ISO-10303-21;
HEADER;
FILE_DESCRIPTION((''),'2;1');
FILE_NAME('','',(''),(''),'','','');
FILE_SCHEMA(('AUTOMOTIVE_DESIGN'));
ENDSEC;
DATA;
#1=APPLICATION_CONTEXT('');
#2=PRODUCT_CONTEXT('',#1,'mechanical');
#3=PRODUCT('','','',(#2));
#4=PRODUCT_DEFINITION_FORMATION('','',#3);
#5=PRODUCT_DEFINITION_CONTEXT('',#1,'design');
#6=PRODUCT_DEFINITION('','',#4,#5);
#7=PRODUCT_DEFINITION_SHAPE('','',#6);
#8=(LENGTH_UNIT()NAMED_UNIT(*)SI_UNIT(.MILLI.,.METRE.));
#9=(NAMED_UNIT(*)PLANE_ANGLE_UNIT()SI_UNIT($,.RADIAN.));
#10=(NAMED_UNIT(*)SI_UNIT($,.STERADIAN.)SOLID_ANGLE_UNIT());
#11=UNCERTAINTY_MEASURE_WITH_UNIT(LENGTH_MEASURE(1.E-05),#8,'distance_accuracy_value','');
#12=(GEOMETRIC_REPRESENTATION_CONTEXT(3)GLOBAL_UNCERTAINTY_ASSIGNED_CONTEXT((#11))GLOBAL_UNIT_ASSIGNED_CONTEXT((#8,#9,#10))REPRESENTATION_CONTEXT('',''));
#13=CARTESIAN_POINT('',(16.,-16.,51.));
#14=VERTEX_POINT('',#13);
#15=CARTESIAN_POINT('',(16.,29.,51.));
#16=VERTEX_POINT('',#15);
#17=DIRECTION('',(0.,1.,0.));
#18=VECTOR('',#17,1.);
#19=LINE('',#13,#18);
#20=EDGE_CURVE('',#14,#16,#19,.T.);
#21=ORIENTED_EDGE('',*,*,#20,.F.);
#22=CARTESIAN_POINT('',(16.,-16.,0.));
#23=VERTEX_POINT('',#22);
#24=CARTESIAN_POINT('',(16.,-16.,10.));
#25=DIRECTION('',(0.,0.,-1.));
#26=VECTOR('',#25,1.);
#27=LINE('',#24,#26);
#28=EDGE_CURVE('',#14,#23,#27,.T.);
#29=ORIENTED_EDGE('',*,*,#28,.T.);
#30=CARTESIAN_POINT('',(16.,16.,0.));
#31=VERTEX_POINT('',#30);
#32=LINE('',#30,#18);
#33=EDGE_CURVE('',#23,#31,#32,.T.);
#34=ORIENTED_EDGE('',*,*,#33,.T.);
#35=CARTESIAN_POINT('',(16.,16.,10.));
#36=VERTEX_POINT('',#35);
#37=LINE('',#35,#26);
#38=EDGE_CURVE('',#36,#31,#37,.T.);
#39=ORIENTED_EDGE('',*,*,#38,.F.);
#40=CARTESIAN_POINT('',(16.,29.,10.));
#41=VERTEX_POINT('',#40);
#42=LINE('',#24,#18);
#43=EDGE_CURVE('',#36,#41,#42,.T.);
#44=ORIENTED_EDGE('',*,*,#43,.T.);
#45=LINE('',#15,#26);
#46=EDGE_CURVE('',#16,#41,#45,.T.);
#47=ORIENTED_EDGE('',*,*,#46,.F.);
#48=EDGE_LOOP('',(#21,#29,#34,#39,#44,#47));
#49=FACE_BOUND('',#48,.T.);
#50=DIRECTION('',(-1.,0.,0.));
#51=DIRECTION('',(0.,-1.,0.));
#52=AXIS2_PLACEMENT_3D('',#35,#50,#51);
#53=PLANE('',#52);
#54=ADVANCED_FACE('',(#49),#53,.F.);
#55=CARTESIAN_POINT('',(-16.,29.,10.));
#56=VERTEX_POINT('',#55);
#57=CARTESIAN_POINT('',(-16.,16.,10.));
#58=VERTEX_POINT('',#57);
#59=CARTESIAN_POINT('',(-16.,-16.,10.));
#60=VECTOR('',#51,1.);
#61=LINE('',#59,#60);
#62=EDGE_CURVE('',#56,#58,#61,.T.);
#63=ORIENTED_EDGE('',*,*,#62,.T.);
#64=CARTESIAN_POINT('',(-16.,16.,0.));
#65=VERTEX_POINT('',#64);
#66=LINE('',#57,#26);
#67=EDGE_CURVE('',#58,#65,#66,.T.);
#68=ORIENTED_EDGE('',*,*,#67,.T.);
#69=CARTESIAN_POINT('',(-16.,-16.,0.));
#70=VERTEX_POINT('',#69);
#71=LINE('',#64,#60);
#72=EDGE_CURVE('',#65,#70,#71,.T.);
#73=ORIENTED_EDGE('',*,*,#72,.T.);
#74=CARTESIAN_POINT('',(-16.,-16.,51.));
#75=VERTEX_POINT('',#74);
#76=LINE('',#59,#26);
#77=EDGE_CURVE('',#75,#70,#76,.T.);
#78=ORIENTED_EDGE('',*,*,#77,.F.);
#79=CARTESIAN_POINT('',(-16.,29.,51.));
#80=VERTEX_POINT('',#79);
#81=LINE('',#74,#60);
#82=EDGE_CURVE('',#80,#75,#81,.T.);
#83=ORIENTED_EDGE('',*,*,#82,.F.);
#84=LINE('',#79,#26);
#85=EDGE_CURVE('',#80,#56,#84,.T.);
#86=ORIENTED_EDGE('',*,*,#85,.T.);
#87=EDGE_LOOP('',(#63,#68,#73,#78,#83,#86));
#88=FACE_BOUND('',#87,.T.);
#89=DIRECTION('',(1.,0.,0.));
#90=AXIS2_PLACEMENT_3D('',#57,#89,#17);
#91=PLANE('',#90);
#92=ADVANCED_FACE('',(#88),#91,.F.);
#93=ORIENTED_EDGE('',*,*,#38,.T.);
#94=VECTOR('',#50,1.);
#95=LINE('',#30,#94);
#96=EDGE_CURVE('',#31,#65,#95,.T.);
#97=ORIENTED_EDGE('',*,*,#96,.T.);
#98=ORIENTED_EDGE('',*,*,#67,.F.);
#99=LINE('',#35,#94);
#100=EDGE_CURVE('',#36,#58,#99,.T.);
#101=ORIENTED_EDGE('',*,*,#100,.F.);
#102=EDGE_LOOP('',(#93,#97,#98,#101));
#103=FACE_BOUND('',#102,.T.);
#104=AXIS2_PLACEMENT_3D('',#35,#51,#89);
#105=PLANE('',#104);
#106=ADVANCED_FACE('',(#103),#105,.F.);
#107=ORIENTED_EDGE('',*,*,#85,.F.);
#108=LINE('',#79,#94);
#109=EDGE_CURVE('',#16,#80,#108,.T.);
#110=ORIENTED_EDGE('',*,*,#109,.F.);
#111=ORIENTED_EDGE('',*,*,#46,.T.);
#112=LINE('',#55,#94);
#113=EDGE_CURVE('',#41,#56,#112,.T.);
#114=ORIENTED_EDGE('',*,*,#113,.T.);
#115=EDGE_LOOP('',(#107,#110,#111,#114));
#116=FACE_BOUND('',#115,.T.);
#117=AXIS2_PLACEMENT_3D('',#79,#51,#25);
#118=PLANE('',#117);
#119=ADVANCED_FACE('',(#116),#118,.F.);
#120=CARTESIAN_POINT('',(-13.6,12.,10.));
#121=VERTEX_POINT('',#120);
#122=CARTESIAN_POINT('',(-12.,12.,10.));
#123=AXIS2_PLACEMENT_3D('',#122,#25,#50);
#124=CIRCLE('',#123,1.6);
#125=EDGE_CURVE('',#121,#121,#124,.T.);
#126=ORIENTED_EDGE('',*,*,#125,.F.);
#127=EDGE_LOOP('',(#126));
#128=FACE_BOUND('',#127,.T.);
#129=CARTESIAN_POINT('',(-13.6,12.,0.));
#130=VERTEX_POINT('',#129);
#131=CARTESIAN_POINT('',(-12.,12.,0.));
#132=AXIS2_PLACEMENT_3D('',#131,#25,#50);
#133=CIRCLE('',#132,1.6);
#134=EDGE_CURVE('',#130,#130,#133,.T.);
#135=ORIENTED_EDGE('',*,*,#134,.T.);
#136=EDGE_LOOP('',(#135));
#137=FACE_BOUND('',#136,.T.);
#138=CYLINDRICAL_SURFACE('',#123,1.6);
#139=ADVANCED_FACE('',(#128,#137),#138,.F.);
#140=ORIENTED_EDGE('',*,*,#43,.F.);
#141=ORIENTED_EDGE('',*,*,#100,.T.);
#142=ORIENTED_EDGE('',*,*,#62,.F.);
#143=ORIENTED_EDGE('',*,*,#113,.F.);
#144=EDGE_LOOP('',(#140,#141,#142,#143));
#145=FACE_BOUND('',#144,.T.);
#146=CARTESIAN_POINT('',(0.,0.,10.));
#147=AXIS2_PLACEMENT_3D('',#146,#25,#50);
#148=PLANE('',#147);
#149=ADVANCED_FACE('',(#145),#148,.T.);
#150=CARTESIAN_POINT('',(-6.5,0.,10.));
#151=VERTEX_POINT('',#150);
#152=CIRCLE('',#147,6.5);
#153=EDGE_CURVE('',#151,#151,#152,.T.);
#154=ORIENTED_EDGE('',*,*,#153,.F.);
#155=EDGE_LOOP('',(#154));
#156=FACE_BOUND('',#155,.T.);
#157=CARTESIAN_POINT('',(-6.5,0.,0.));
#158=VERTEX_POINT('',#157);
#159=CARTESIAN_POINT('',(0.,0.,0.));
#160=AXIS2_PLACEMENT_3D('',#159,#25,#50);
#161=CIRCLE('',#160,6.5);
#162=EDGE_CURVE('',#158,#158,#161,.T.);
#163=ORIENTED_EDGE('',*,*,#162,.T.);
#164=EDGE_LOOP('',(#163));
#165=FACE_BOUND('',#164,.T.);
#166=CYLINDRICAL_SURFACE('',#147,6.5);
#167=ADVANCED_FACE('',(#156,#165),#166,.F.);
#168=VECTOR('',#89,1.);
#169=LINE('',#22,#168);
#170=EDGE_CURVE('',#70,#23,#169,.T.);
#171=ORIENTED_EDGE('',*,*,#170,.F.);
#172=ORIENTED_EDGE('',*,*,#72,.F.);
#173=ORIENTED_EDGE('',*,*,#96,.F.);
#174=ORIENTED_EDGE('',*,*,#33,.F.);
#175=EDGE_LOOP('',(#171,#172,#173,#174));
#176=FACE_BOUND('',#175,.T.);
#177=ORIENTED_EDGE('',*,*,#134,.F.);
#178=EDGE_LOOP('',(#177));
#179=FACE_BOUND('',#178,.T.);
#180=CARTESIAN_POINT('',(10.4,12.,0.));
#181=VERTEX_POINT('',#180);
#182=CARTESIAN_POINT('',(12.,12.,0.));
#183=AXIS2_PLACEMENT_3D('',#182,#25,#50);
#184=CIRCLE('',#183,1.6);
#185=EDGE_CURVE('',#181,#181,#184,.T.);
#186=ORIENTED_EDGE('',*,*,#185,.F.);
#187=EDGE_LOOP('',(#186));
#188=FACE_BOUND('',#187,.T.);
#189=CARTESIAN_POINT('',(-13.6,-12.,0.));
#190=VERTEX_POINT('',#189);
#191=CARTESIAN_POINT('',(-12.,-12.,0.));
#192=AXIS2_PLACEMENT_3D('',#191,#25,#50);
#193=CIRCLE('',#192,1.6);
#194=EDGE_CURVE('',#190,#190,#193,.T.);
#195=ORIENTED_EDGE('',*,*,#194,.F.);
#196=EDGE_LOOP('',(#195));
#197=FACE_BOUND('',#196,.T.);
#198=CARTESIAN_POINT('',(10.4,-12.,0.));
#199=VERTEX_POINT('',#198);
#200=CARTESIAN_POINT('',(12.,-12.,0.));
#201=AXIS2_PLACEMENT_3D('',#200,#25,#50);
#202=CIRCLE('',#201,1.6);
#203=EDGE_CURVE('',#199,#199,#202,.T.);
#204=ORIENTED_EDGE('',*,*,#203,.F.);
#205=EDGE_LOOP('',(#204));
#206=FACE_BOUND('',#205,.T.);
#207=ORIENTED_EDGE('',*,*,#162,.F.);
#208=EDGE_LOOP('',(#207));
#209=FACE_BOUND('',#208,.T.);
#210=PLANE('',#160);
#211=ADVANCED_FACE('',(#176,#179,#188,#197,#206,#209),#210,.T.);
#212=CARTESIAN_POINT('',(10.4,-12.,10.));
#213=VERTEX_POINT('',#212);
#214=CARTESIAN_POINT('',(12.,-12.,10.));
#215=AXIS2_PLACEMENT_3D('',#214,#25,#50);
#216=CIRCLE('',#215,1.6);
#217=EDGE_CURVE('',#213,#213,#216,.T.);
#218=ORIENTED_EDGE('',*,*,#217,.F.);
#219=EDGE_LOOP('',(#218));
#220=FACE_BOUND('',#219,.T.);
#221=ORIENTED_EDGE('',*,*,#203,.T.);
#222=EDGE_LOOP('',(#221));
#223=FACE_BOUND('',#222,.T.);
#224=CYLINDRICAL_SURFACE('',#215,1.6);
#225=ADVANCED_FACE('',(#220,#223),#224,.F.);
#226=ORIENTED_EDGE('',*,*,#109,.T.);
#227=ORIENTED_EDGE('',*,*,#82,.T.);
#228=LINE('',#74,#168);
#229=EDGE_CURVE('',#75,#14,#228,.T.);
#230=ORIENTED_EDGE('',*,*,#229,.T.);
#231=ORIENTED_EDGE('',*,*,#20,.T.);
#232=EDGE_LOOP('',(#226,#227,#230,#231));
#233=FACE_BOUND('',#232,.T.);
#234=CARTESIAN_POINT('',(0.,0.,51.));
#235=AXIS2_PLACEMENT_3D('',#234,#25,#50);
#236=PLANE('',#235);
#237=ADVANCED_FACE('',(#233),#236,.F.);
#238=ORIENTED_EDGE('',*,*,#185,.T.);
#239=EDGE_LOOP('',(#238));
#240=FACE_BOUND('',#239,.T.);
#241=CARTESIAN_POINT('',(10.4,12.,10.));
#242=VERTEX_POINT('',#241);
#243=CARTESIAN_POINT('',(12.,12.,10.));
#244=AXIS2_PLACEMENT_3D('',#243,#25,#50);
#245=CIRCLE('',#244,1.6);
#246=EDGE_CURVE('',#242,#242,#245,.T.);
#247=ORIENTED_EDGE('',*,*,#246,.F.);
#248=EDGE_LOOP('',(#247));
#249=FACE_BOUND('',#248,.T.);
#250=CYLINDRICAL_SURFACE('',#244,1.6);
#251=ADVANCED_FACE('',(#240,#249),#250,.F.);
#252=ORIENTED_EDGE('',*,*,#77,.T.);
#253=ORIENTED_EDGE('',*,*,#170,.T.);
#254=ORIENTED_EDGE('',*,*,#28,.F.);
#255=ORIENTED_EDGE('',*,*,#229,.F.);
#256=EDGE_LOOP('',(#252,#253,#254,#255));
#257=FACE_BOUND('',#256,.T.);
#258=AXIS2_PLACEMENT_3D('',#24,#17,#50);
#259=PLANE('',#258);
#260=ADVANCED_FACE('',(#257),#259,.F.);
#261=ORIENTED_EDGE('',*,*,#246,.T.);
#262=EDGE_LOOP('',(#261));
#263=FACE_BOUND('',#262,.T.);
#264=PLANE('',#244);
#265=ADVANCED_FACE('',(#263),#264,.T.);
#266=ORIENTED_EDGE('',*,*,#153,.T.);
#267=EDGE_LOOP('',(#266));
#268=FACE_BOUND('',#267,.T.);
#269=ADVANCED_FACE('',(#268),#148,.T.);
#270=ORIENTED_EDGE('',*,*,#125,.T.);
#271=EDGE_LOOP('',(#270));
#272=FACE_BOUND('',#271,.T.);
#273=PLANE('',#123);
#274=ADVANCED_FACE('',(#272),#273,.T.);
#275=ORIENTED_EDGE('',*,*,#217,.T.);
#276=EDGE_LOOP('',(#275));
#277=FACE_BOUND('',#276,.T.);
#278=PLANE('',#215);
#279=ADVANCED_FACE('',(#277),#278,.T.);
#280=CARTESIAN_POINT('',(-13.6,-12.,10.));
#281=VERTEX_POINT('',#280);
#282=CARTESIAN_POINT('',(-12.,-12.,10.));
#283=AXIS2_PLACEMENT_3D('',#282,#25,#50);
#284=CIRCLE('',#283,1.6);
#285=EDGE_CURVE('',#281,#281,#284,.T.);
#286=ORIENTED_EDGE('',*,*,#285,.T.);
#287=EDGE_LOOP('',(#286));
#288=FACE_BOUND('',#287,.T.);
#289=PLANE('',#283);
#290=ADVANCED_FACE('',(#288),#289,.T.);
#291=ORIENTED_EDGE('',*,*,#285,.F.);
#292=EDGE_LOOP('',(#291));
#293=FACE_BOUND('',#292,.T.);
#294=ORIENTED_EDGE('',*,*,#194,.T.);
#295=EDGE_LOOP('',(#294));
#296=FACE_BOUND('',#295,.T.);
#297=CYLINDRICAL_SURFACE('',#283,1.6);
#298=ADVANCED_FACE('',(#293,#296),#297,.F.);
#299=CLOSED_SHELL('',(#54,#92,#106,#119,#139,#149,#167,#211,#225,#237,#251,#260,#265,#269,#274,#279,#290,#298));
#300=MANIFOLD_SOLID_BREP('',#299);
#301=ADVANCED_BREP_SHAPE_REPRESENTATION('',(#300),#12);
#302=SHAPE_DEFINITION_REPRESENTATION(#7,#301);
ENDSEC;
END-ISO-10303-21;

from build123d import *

# Parameters (mm, degrees)
SKETCH1_W           = 32
SKETCH1_H           = 32
BOSS_EXTRUDE1_DEPTH = 10
SKETCH2_W           = 32
SKETCH2_H           = 45
BOSS_EXTRUDE2_DEPTH = 41
SKETCH3_R           = 1.6
SKETCH3_R_2         = 6.5
CUT_EXTRUDE1_DEPTH  = 10


with BuildPart() as part:
    # Sketch1 → Boss-Extrude1 (new body)
    with BuildSketch(Plane.XY):
        Rectangle(SKETCH1_W, SKETCH1_H)
    extrude(amount=BOSS_EXTRUDE1_DEPTH)

    # Sketch2 → Boss-Extrude2 (add)
    with BuildSketch(Plane.XY.offset(10)):
        with Locations((0, 6.5)):
            Rectangle(SKETCH2_W, SKETCH2_H)
    extrude(amount=BOSS_EXTRUDE2_DEPTH)

    # Sketch3 → Cut-Extrude1 (cut)
    with BuildSketch(Plane(origin=(0, 0, 0), x_dir=(-1, 0, 0), z_dir=(0, 0, -1))):
        with Locations((-12, 12)):
            Circle(SKETCH3_R)
        with Locations((-12, -12)):
            Circle(SKETCH3_R)
        with Locations((12, 12)):
            Circle(SKETCH3_R)
        with Locations((12, -12)):
            Circle(SKETCH3_R)
        Circle(SKETCH3_R_2)
    extrude(amount=-CUT_EXTRUDE1_DEPTH, mode=Mode.SUBTRACT)


solid = part.part
